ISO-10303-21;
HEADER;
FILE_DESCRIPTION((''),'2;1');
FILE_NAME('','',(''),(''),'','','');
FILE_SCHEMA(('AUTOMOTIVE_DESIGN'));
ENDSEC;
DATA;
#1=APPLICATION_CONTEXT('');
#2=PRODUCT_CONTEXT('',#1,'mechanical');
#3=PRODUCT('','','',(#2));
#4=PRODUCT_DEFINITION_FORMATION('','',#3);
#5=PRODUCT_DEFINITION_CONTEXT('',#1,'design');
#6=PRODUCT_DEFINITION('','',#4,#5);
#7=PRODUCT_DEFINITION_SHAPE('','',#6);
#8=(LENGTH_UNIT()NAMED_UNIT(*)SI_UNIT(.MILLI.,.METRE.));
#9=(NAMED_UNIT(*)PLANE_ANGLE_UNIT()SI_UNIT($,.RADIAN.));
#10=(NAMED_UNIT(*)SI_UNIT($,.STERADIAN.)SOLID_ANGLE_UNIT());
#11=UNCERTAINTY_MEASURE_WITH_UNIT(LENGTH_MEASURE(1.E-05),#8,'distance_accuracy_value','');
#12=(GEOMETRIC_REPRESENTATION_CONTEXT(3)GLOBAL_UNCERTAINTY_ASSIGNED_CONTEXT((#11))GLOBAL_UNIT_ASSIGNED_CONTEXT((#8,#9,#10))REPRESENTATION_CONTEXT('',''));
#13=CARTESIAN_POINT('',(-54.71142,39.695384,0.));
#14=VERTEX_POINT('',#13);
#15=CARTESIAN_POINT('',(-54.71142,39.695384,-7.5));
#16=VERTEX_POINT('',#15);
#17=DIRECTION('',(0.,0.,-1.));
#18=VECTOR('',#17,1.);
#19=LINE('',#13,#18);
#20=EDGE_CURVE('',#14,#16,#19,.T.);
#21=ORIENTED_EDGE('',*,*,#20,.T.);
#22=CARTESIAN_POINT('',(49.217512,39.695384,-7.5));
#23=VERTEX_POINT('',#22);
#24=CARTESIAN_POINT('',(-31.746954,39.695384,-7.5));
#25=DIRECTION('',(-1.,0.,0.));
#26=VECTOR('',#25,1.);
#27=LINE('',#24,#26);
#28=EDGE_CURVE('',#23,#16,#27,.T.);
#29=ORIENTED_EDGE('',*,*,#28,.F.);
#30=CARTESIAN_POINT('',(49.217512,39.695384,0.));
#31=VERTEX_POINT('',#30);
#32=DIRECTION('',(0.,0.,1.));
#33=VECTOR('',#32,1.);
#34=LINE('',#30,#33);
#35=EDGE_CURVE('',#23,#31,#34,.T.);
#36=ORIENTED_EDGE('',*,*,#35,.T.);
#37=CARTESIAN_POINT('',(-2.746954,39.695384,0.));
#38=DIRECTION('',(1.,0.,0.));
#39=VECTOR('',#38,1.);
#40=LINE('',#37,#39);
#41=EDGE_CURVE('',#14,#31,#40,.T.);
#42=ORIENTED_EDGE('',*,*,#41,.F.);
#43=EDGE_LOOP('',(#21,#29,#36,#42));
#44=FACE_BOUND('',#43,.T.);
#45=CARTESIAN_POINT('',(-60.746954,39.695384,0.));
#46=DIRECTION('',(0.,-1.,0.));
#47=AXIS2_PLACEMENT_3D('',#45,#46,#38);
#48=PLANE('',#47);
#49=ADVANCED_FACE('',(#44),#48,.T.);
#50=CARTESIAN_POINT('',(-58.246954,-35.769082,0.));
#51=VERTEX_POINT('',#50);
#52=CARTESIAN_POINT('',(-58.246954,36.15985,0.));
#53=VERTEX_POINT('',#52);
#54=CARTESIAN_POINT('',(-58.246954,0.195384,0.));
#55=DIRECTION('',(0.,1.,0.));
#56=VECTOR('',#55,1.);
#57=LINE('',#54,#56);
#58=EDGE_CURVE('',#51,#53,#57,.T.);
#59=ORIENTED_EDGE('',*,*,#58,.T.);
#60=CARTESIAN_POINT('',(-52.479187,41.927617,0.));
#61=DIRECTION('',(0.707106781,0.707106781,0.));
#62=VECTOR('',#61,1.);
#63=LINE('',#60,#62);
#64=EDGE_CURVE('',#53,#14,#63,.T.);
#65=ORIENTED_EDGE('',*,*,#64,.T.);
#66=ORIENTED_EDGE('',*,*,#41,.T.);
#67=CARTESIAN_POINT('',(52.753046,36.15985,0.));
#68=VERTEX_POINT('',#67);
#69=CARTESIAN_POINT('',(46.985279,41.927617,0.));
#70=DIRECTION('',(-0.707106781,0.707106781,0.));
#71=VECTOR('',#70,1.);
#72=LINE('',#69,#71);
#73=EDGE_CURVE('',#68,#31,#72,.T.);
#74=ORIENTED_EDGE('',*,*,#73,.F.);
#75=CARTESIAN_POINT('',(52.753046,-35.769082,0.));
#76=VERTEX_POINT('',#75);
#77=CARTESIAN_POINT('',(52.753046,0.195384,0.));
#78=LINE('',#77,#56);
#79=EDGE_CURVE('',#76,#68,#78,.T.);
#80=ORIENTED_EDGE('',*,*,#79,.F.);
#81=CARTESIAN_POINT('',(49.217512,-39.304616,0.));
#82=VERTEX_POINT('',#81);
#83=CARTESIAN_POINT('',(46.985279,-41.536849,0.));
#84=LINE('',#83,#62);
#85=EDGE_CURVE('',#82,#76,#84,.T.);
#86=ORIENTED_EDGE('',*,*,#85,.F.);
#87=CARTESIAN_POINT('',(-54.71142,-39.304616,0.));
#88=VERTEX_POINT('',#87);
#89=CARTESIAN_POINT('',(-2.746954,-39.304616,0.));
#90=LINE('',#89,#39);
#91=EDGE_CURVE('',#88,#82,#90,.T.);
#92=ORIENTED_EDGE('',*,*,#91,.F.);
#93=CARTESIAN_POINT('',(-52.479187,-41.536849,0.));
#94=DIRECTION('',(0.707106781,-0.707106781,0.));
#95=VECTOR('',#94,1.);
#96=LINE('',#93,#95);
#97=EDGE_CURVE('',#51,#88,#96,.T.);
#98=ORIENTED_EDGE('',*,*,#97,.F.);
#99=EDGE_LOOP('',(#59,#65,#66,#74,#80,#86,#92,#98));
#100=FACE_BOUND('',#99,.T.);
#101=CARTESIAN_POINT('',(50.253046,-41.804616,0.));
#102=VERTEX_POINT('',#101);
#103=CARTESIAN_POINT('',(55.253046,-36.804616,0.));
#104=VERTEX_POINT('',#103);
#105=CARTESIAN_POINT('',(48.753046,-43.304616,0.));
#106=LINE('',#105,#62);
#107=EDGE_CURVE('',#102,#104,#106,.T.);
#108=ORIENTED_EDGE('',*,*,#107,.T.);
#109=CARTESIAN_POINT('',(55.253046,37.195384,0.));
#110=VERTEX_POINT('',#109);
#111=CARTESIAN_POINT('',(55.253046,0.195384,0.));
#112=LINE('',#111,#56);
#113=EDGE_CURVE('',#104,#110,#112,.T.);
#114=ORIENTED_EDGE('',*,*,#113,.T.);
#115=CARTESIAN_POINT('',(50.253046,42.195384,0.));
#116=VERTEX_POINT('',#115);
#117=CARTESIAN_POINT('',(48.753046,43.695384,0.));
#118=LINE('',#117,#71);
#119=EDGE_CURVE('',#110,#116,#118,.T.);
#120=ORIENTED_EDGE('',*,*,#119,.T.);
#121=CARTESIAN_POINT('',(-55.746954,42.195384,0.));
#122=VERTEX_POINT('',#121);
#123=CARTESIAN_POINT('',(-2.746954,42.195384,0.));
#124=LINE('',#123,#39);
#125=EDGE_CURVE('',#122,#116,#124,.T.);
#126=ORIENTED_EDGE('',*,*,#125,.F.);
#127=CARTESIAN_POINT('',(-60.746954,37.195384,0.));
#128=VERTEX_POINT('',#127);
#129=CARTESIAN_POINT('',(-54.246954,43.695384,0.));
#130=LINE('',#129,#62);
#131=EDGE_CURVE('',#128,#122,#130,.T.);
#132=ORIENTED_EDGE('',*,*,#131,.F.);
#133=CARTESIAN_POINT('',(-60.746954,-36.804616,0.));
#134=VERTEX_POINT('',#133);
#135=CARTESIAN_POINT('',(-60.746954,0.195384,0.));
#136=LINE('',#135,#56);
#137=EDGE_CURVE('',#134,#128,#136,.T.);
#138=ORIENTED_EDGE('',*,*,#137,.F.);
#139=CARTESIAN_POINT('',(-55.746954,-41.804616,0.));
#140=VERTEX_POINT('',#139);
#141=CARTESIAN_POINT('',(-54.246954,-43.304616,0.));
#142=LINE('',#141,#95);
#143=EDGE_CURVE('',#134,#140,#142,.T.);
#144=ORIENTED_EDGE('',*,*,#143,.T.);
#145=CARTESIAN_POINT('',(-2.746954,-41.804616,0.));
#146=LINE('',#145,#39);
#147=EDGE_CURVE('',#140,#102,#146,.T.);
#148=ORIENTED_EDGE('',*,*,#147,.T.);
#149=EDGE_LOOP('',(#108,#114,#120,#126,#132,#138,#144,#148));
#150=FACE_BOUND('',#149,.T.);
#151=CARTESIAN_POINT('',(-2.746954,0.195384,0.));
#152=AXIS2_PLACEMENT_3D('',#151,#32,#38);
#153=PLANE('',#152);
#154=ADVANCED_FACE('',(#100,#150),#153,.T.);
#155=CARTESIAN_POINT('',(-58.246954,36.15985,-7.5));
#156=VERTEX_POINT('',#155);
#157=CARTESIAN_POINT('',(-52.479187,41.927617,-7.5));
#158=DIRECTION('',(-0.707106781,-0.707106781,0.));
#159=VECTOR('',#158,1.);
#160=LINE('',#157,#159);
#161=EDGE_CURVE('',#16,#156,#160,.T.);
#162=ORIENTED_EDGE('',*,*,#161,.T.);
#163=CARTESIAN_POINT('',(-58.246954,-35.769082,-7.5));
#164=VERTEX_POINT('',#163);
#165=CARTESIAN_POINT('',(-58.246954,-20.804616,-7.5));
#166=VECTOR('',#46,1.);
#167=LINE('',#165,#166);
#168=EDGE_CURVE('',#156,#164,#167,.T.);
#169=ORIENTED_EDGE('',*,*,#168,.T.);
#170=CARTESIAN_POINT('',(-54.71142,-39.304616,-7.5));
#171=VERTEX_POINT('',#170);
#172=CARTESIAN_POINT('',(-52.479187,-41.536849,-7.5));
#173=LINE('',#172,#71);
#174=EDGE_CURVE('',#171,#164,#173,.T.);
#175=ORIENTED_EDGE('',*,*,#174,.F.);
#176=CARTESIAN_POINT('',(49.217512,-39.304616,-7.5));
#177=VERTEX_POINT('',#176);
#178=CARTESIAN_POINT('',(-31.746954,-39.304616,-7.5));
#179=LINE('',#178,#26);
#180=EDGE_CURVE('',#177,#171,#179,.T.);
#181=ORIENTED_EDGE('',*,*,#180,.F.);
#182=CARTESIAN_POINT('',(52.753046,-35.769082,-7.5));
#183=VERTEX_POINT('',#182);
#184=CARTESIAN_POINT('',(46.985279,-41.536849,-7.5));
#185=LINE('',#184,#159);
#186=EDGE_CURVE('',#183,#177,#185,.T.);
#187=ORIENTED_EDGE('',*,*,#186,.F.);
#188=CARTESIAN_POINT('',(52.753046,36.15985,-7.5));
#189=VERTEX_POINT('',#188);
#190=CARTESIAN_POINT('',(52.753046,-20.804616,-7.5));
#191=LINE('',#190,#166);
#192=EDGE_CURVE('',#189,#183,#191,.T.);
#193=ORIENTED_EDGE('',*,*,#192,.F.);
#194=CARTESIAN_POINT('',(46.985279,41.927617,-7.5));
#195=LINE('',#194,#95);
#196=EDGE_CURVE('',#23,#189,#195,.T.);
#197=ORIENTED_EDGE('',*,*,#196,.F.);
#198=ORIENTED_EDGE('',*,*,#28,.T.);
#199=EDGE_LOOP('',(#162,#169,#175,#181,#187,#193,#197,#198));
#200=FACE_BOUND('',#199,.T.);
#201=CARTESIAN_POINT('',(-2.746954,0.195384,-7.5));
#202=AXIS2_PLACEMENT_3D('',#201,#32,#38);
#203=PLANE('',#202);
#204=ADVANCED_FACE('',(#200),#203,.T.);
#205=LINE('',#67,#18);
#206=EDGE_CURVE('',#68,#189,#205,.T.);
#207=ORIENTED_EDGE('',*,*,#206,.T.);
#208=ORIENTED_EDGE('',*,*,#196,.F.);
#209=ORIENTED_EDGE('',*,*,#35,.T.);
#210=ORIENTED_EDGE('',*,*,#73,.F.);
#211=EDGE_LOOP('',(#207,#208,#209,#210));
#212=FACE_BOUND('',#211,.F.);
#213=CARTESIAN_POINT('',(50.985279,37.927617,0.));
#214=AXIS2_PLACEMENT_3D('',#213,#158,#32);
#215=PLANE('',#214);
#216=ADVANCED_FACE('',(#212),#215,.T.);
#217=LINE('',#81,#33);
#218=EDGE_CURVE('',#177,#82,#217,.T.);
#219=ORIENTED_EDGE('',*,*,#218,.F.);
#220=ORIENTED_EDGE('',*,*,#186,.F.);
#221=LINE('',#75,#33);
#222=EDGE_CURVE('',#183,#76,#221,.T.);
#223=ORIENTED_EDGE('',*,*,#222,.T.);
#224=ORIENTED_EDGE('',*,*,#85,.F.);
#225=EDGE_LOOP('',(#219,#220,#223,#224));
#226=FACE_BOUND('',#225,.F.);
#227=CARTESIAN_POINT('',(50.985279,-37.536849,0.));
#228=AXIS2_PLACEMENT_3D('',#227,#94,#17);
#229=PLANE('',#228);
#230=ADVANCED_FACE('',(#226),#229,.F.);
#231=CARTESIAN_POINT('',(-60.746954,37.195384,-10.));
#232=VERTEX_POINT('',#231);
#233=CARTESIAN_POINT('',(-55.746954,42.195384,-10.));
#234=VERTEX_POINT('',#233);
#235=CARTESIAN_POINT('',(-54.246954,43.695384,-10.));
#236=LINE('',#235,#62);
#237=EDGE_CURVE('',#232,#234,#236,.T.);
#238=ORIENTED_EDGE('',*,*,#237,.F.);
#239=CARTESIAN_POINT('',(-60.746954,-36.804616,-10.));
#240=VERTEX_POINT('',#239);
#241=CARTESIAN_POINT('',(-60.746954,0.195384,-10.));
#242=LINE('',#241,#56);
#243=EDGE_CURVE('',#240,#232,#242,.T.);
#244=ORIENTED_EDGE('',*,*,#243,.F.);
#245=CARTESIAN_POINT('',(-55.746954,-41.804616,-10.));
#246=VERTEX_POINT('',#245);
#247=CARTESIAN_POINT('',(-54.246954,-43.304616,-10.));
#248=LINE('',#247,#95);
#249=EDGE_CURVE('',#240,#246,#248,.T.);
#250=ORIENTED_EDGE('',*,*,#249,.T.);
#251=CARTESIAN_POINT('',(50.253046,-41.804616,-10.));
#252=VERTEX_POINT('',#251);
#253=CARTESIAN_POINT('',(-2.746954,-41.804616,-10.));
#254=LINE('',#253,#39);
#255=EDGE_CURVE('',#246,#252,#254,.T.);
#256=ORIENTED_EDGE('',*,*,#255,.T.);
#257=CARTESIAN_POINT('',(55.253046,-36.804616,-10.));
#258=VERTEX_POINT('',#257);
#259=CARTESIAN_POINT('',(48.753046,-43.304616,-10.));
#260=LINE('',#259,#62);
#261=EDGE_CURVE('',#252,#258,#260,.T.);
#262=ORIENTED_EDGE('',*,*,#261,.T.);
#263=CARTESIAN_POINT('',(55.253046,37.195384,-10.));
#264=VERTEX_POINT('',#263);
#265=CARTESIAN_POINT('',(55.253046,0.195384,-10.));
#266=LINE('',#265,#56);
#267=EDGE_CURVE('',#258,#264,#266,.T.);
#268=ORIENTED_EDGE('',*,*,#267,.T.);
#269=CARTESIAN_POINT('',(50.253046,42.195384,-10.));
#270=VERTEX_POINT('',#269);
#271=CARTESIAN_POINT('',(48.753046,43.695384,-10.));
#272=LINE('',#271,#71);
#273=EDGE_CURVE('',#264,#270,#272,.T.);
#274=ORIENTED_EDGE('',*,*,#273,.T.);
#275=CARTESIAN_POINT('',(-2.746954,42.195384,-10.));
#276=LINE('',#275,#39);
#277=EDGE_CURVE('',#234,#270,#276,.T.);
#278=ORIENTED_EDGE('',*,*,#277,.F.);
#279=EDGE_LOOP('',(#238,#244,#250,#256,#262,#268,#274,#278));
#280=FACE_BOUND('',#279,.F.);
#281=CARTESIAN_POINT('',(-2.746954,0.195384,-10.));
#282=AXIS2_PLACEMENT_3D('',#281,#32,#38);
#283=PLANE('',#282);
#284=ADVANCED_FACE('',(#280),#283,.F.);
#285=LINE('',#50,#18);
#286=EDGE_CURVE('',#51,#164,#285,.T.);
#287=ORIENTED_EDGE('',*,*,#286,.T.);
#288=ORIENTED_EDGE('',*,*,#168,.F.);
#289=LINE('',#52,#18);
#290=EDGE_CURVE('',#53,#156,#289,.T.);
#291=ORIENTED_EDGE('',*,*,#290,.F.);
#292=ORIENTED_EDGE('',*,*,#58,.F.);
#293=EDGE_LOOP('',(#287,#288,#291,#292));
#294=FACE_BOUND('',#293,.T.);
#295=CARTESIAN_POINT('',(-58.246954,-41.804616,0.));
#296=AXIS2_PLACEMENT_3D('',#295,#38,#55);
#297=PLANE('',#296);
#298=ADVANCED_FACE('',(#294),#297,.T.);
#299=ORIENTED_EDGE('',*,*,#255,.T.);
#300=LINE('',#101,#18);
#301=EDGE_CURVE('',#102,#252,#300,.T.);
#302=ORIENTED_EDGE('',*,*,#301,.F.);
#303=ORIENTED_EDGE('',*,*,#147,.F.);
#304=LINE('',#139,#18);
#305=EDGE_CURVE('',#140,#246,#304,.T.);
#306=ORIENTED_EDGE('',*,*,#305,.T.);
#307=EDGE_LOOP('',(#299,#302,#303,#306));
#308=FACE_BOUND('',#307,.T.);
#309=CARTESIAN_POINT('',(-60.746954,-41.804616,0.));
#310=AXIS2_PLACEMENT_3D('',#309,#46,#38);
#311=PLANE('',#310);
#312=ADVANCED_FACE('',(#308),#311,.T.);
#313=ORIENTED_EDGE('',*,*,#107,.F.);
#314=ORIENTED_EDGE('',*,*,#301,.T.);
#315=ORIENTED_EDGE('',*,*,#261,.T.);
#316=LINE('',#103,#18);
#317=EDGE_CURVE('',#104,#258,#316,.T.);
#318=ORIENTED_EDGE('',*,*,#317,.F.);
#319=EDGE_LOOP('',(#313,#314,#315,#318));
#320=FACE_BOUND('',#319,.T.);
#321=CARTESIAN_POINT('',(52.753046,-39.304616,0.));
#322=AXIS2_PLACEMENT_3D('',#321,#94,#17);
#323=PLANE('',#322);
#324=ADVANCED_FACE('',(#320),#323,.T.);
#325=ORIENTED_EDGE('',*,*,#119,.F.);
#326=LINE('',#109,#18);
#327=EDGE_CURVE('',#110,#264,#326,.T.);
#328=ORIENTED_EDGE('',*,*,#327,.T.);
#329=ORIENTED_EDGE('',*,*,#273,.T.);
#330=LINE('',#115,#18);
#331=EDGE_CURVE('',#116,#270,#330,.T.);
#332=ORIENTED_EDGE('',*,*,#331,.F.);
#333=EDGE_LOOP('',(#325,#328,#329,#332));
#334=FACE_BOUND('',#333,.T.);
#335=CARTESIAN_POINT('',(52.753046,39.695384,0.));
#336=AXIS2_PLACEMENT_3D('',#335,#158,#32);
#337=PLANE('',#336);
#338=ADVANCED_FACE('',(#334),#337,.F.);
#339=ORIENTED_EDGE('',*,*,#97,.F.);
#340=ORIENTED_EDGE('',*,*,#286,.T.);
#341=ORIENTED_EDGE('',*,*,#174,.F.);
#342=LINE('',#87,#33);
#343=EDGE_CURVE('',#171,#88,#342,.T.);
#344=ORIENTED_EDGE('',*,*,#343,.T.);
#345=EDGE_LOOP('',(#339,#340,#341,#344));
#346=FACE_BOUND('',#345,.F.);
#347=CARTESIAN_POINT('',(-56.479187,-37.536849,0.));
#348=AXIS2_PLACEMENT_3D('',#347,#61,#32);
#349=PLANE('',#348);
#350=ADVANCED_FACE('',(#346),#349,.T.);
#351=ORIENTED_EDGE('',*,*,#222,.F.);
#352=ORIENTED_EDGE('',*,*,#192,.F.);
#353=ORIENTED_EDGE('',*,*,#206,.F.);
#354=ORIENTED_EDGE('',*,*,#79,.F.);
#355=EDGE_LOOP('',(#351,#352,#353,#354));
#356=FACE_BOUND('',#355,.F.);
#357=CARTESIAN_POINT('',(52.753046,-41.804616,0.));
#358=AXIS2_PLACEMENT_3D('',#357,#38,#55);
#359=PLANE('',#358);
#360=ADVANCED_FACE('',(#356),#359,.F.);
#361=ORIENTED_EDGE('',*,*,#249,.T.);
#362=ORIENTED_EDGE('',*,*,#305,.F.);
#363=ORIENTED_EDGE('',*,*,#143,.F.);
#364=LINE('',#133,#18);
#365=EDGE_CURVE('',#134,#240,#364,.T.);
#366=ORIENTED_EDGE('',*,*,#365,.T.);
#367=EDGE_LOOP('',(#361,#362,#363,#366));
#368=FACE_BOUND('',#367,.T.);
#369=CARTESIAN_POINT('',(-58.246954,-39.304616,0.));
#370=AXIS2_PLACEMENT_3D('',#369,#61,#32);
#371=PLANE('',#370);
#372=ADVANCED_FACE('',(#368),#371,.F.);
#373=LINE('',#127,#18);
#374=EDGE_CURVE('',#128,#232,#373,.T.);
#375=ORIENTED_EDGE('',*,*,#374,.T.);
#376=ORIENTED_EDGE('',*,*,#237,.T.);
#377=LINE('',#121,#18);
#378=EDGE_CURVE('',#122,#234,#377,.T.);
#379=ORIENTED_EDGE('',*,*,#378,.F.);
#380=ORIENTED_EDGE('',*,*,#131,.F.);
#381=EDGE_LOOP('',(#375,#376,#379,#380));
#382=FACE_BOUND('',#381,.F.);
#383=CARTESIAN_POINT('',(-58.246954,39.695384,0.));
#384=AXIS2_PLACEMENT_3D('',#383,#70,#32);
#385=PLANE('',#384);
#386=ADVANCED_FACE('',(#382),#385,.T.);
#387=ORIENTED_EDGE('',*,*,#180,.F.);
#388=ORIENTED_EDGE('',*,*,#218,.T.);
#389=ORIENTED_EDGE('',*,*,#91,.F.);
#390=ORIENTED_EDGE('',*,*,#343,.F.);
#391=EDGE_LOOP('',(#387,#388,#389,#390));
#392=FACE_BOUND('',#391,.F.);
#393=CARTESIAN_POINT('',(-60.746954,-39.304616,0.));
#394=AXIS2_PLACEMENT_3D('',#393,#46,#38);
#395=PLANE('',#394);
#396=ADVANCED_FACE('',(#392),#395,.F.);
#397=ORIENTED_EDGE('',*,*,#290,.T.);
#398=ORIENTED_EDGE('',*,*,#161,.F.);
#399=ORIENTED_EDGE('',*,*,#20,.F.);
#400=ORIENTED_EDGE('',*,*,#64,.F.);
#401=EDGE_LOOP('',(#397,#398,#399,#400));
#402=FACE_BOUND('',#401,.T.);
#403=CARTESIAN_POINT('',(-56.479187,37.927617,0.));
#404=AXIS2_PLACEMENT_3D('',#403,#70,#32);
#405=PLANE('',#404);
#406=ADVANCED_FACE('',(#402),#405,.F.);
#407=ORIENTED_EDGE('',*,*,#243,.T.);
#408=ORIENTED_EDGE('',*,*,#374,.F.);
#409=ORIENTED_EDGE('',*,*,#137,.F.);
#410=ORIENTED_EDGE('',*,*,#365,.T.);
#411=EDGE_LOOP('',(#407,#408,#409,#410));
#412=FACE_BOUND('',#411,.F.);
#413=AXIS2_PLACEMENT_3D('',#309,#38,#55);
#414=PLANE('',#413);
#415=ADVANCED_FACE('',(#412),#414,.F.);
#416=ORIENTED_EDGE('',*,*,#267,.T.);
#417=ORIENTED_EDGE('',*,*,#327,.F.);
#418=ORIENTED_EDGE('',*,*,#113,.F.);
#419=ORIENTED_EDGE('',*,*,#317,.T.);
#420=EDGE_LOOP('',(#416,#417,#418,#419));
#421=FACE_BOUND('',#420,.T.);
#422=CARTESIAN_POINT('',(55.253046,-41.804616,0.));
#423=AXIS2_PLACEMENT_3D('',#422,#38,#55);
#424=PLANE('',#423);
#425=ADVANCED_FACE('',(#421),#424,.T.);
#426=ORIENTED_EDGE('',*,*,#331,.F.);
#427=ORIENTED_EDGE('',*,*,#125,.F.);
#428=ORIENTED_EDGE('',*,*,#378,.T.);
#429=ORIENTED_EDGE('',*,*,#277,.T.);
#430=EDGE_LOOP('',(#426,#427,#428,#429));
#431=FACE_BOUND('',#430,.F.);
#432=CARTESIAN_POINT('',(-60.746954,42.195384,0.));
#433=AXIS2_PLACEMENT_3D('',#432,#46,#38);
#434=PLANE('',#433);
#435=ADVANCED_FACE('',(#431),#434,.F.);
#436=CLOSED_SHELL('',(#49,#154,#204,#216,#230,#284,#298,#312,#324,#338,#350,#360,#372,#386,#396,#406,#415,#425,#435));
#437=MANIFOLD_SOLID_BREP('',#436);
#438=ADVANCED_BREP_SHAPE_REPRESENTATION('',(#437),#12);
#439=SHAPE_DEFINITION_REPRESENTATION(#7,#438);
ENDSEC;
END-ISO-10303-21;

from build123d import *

# Parameters (mm, degrees)
F0_W     = 116
F0_H     = 84
F1_DEPTH = 10
F2_SIZE  = 5
F3_T     = -2.5


with BuildPart() as f1:
    # F0 (on Top) → F1 (new body)
    with BuildSketch(Plane.XY):
        with Locations((-2.746954, 0.195384)):
            Rectangle(F0_W, F0_H)
    extrude(amount=-F1_DEPTH)

    # F2
    f2_edges = [f1.edges().sort_by_distance(p)[0] for p in [
        (55.253046, -41.804616, -5),
        (-60.746954, -41.804616, -5),
        (55.253046, 42.195384, -5),
        (-60.746954, 42.195384, -5),
    ]]
    chamfer(f2_edges, length=F2_SIZE)

    # F3
    f3_openings = [f1.faces().sort_by_distance(p)[0] for p in [
        (-2.746954, 0.195384, 0),
    ]]
    offset(amount=F3_T, openings=f3_openings)


solid = f1.part
